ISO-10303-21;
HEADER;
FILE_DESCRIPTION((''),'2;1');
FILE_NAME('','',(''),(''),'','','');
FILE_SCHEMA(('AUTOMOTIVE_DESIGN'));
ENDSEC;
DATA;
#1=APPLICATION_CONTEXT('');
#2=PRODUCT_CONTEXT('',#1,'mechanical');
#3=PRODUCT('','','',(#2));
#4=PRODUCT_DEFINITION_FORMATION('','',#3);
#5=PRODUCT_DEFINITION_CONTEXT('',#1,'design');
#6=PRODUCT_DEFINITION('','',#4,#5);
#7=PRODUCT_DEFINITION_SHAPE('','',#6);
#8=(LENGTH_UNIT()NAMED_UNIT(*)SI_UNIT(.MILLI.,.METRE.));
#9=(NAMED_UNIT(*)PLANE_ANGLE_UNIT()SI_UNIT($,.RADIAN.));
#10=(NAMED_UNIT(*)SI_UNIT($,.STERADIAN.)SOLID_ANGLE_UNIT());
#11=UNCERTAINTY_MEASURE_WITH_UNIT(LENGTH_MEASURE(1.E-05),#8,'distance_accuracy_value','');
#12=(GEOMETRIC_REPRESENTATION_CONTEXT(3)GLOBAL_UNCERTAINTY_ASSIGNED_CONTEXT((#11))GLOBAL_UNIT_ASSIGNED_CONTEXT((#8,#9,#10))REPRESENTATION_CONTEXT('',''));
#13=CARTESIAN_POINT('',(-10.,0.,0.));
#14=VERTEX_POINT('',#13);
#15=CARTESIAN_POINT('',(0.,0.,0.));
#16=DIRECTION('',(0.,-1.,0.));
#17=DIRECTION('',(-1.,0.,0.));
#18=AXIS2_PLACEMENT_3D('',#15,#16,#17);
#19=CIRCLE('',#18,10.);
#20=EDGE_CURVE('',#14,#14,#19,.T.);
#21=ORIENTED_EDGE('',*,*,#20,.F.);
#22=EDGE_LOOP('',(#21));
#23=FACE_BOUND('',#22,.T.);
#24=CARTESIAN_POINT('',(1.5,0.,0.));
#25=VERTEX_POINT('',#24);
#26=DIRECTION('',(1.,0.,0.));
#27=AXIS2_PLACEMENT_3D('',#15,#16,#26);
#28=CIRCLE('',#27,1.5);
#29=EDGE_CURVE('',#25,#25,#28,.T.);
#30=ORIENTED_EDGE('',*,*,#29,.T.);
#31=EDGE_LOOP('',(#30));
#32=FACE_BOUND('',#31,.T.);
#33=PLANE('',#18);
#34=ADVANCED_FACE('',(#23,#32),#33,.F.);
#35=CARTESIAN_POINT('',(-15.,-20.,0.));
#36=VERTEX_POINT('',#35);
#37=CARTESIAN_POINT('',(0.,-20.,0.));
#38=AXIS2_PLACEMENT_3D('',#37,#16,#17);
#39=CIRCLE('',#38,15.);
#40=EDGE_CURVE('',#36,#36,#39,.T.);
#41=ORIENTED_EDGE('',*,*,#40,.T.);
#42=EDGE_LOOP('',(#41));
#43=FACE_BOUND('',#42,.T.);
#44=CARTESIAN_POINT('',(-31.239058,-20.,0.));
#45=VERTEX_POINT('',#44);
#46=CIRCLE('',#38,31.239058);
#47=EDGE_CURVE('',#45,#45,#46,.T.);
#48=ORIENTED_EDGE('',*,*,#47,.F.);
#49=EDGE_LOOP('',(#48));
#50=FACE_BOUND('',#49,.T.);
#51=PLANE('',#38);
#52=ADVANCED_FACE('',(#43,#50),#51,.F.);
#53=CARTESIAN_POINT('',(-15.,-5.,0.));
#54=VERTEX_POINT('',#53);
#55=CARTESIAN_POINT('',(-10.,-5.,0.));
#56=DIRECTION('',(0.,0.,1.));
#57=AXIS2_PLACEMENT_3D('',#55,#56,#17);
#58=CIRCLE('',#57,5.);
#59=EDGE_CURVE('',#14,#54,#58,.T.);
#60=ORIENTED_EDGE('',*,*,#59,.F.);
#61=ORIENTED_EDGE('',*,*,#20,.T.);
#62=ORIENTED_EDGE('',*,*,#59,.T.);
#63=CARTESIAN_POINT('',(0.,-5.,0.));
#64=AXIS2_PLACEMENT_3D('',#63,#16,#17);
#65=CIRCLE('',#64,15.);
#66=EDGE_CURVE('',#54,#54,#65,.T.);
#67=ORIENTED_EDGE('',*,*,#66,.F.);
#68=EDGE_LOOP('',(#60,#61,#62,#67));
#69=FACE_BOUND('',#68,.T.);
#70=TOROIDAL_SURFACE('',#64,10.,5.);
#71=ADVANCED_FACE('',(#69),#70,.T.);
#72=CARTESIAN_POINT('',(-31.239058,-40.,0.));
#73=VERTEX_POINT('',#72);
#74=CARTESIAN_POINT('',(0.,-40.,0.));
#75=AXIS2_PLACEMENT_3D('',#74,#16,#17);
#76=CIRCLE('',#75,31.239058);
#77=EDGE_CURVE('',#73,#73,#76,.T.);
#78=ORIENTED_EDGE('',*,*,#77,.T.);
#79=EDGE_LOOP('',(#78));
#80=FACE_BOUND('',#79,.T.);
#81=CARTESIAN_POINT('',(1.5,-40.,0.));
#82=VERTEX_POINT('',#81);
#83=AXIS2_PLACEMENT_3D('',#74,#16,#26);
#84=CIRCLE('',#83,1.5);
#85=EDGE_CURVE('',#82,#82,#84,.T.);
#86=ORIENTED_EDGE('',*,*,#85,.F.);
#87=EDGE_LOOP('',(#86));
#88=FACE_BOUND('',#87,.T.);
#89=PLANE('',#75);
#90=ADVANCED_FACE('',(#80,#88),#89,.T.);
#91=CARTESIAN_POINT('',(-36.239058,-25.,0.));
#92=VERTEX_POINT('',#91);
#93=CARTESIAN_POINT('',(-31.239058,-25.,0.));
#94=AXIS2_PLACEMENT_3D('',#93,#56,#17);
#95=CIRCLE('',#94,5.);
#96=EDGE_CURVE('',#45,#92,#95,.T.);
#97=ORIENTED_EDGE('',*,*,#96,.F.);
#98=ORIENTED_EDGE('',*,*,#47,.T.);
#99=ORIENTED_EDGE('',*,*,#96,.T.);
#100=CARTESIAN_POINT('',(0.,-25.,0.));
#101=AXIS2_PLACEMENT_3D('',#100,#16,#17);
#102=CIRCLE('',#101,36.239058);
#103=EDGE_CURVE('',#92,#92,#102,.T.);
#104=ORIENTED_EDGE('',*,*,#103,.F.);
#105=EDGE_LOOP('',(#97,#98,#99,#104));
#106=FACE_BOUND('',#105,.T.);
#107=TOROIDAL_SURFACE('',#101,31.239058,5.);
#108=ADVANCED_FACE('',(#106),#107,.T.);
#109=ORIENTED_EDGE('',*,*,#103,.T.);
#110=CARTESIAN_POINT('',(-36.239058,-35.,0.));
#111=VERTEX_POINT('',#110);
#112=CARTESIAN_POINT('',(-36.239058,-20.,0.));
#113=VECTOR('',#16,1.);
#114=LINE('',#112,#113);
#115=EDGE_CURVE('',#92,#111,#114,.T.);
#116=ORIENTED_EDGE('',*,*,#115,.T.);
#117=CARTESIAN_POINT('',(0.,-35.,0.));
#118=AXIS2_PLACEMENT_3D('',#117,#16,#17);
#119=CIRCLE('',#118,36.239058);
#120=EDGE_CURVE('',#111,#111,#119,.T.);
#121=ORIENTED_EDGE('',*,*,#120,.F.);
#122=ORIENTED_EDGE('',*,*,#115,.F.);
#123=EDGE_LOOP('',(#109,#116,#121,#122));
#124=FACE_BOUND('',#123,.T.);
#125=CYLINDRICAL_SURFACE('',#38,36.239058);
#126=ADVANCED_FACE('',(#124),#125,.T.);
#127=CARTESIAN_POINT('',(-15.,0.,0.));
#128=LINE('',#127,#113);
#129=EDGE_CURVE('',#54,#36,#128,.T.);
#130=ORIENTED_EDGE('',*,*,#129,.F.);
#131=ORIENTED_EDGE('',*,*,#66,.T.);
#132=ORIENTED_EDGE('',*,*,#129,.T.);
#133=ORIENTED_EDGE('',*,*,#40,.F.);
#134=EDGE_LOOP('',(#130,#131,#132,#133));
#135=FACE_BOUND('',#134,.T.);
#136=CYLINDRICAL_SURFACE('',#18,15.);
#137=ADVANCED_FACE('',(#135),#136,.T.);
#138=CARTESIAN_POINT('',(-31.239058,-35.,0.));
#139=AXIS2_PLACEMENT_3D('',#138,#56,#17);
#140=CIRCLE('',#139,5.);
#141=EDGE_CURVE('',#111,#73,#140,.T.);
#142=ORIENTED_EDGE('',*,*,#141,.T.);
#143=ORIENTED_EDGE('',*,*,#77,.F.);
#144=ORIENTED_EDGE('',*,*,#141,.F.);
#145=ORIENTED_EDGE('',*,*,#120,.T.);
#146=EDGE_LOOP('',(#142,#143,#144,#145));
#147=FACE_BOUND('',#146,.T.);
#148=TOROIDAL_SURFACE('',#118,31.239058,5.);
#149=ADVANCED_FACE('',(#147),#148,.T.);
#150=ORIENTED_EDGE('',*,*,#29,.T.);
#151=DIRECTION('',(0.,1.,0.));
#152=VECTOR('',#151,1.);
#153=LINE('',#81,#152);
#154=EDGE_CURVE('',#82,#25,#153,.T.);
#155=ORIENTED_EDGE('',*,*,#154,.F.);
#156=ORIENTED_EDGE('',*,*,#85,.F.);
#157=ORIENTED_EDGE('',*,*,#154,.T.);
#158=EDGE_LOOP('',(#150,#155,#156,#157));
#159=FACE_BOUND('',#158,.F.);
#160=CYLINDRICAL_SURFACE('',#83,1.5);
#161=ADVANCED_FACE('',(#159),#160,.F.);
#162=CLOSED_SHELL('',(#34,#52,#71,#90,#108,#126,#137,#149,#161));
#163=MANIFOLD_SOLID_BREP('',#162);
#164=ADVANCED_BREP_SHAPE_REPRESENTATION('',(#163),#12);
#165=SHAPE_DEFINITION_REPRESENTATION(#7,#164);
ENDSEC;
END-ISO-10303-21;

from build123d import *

# Parameters (mm, degrees)
F2_R     = 5
F3_R     = 1.5
F4_DEPTH = 70.5


with BuildPart() as f1:
    # F0 (on Top) → F1 (revolve)
    with BuildSketch(Plane.XY):
        Polygon((0, -40), (0, 0), (-15, 0), (-15, -20), (-36.239058, -20), (-36.239058, -40), align=None)
    revolve(axis=Axis((0, -11.717667, 0), (0, -1, 0)))

    # F2
    f2_edges = [f1.edges().sort_by_distance(p)[0] for p in [
        (15, 0, 0),
        (36.239058, -20, 0),
        (36.239058, -40, 0),
    ]]
    fillet(f2_edges, radius=F2_R)

    # F3 (on face) → F4 (cut)
    with BuildSketch(Plane.XZ.offset(40)):
        Circle(F3_R)
    extrude(amount=-F4_DEPTH, mode=Mode.SUBTRACT)


solid = f1.part
